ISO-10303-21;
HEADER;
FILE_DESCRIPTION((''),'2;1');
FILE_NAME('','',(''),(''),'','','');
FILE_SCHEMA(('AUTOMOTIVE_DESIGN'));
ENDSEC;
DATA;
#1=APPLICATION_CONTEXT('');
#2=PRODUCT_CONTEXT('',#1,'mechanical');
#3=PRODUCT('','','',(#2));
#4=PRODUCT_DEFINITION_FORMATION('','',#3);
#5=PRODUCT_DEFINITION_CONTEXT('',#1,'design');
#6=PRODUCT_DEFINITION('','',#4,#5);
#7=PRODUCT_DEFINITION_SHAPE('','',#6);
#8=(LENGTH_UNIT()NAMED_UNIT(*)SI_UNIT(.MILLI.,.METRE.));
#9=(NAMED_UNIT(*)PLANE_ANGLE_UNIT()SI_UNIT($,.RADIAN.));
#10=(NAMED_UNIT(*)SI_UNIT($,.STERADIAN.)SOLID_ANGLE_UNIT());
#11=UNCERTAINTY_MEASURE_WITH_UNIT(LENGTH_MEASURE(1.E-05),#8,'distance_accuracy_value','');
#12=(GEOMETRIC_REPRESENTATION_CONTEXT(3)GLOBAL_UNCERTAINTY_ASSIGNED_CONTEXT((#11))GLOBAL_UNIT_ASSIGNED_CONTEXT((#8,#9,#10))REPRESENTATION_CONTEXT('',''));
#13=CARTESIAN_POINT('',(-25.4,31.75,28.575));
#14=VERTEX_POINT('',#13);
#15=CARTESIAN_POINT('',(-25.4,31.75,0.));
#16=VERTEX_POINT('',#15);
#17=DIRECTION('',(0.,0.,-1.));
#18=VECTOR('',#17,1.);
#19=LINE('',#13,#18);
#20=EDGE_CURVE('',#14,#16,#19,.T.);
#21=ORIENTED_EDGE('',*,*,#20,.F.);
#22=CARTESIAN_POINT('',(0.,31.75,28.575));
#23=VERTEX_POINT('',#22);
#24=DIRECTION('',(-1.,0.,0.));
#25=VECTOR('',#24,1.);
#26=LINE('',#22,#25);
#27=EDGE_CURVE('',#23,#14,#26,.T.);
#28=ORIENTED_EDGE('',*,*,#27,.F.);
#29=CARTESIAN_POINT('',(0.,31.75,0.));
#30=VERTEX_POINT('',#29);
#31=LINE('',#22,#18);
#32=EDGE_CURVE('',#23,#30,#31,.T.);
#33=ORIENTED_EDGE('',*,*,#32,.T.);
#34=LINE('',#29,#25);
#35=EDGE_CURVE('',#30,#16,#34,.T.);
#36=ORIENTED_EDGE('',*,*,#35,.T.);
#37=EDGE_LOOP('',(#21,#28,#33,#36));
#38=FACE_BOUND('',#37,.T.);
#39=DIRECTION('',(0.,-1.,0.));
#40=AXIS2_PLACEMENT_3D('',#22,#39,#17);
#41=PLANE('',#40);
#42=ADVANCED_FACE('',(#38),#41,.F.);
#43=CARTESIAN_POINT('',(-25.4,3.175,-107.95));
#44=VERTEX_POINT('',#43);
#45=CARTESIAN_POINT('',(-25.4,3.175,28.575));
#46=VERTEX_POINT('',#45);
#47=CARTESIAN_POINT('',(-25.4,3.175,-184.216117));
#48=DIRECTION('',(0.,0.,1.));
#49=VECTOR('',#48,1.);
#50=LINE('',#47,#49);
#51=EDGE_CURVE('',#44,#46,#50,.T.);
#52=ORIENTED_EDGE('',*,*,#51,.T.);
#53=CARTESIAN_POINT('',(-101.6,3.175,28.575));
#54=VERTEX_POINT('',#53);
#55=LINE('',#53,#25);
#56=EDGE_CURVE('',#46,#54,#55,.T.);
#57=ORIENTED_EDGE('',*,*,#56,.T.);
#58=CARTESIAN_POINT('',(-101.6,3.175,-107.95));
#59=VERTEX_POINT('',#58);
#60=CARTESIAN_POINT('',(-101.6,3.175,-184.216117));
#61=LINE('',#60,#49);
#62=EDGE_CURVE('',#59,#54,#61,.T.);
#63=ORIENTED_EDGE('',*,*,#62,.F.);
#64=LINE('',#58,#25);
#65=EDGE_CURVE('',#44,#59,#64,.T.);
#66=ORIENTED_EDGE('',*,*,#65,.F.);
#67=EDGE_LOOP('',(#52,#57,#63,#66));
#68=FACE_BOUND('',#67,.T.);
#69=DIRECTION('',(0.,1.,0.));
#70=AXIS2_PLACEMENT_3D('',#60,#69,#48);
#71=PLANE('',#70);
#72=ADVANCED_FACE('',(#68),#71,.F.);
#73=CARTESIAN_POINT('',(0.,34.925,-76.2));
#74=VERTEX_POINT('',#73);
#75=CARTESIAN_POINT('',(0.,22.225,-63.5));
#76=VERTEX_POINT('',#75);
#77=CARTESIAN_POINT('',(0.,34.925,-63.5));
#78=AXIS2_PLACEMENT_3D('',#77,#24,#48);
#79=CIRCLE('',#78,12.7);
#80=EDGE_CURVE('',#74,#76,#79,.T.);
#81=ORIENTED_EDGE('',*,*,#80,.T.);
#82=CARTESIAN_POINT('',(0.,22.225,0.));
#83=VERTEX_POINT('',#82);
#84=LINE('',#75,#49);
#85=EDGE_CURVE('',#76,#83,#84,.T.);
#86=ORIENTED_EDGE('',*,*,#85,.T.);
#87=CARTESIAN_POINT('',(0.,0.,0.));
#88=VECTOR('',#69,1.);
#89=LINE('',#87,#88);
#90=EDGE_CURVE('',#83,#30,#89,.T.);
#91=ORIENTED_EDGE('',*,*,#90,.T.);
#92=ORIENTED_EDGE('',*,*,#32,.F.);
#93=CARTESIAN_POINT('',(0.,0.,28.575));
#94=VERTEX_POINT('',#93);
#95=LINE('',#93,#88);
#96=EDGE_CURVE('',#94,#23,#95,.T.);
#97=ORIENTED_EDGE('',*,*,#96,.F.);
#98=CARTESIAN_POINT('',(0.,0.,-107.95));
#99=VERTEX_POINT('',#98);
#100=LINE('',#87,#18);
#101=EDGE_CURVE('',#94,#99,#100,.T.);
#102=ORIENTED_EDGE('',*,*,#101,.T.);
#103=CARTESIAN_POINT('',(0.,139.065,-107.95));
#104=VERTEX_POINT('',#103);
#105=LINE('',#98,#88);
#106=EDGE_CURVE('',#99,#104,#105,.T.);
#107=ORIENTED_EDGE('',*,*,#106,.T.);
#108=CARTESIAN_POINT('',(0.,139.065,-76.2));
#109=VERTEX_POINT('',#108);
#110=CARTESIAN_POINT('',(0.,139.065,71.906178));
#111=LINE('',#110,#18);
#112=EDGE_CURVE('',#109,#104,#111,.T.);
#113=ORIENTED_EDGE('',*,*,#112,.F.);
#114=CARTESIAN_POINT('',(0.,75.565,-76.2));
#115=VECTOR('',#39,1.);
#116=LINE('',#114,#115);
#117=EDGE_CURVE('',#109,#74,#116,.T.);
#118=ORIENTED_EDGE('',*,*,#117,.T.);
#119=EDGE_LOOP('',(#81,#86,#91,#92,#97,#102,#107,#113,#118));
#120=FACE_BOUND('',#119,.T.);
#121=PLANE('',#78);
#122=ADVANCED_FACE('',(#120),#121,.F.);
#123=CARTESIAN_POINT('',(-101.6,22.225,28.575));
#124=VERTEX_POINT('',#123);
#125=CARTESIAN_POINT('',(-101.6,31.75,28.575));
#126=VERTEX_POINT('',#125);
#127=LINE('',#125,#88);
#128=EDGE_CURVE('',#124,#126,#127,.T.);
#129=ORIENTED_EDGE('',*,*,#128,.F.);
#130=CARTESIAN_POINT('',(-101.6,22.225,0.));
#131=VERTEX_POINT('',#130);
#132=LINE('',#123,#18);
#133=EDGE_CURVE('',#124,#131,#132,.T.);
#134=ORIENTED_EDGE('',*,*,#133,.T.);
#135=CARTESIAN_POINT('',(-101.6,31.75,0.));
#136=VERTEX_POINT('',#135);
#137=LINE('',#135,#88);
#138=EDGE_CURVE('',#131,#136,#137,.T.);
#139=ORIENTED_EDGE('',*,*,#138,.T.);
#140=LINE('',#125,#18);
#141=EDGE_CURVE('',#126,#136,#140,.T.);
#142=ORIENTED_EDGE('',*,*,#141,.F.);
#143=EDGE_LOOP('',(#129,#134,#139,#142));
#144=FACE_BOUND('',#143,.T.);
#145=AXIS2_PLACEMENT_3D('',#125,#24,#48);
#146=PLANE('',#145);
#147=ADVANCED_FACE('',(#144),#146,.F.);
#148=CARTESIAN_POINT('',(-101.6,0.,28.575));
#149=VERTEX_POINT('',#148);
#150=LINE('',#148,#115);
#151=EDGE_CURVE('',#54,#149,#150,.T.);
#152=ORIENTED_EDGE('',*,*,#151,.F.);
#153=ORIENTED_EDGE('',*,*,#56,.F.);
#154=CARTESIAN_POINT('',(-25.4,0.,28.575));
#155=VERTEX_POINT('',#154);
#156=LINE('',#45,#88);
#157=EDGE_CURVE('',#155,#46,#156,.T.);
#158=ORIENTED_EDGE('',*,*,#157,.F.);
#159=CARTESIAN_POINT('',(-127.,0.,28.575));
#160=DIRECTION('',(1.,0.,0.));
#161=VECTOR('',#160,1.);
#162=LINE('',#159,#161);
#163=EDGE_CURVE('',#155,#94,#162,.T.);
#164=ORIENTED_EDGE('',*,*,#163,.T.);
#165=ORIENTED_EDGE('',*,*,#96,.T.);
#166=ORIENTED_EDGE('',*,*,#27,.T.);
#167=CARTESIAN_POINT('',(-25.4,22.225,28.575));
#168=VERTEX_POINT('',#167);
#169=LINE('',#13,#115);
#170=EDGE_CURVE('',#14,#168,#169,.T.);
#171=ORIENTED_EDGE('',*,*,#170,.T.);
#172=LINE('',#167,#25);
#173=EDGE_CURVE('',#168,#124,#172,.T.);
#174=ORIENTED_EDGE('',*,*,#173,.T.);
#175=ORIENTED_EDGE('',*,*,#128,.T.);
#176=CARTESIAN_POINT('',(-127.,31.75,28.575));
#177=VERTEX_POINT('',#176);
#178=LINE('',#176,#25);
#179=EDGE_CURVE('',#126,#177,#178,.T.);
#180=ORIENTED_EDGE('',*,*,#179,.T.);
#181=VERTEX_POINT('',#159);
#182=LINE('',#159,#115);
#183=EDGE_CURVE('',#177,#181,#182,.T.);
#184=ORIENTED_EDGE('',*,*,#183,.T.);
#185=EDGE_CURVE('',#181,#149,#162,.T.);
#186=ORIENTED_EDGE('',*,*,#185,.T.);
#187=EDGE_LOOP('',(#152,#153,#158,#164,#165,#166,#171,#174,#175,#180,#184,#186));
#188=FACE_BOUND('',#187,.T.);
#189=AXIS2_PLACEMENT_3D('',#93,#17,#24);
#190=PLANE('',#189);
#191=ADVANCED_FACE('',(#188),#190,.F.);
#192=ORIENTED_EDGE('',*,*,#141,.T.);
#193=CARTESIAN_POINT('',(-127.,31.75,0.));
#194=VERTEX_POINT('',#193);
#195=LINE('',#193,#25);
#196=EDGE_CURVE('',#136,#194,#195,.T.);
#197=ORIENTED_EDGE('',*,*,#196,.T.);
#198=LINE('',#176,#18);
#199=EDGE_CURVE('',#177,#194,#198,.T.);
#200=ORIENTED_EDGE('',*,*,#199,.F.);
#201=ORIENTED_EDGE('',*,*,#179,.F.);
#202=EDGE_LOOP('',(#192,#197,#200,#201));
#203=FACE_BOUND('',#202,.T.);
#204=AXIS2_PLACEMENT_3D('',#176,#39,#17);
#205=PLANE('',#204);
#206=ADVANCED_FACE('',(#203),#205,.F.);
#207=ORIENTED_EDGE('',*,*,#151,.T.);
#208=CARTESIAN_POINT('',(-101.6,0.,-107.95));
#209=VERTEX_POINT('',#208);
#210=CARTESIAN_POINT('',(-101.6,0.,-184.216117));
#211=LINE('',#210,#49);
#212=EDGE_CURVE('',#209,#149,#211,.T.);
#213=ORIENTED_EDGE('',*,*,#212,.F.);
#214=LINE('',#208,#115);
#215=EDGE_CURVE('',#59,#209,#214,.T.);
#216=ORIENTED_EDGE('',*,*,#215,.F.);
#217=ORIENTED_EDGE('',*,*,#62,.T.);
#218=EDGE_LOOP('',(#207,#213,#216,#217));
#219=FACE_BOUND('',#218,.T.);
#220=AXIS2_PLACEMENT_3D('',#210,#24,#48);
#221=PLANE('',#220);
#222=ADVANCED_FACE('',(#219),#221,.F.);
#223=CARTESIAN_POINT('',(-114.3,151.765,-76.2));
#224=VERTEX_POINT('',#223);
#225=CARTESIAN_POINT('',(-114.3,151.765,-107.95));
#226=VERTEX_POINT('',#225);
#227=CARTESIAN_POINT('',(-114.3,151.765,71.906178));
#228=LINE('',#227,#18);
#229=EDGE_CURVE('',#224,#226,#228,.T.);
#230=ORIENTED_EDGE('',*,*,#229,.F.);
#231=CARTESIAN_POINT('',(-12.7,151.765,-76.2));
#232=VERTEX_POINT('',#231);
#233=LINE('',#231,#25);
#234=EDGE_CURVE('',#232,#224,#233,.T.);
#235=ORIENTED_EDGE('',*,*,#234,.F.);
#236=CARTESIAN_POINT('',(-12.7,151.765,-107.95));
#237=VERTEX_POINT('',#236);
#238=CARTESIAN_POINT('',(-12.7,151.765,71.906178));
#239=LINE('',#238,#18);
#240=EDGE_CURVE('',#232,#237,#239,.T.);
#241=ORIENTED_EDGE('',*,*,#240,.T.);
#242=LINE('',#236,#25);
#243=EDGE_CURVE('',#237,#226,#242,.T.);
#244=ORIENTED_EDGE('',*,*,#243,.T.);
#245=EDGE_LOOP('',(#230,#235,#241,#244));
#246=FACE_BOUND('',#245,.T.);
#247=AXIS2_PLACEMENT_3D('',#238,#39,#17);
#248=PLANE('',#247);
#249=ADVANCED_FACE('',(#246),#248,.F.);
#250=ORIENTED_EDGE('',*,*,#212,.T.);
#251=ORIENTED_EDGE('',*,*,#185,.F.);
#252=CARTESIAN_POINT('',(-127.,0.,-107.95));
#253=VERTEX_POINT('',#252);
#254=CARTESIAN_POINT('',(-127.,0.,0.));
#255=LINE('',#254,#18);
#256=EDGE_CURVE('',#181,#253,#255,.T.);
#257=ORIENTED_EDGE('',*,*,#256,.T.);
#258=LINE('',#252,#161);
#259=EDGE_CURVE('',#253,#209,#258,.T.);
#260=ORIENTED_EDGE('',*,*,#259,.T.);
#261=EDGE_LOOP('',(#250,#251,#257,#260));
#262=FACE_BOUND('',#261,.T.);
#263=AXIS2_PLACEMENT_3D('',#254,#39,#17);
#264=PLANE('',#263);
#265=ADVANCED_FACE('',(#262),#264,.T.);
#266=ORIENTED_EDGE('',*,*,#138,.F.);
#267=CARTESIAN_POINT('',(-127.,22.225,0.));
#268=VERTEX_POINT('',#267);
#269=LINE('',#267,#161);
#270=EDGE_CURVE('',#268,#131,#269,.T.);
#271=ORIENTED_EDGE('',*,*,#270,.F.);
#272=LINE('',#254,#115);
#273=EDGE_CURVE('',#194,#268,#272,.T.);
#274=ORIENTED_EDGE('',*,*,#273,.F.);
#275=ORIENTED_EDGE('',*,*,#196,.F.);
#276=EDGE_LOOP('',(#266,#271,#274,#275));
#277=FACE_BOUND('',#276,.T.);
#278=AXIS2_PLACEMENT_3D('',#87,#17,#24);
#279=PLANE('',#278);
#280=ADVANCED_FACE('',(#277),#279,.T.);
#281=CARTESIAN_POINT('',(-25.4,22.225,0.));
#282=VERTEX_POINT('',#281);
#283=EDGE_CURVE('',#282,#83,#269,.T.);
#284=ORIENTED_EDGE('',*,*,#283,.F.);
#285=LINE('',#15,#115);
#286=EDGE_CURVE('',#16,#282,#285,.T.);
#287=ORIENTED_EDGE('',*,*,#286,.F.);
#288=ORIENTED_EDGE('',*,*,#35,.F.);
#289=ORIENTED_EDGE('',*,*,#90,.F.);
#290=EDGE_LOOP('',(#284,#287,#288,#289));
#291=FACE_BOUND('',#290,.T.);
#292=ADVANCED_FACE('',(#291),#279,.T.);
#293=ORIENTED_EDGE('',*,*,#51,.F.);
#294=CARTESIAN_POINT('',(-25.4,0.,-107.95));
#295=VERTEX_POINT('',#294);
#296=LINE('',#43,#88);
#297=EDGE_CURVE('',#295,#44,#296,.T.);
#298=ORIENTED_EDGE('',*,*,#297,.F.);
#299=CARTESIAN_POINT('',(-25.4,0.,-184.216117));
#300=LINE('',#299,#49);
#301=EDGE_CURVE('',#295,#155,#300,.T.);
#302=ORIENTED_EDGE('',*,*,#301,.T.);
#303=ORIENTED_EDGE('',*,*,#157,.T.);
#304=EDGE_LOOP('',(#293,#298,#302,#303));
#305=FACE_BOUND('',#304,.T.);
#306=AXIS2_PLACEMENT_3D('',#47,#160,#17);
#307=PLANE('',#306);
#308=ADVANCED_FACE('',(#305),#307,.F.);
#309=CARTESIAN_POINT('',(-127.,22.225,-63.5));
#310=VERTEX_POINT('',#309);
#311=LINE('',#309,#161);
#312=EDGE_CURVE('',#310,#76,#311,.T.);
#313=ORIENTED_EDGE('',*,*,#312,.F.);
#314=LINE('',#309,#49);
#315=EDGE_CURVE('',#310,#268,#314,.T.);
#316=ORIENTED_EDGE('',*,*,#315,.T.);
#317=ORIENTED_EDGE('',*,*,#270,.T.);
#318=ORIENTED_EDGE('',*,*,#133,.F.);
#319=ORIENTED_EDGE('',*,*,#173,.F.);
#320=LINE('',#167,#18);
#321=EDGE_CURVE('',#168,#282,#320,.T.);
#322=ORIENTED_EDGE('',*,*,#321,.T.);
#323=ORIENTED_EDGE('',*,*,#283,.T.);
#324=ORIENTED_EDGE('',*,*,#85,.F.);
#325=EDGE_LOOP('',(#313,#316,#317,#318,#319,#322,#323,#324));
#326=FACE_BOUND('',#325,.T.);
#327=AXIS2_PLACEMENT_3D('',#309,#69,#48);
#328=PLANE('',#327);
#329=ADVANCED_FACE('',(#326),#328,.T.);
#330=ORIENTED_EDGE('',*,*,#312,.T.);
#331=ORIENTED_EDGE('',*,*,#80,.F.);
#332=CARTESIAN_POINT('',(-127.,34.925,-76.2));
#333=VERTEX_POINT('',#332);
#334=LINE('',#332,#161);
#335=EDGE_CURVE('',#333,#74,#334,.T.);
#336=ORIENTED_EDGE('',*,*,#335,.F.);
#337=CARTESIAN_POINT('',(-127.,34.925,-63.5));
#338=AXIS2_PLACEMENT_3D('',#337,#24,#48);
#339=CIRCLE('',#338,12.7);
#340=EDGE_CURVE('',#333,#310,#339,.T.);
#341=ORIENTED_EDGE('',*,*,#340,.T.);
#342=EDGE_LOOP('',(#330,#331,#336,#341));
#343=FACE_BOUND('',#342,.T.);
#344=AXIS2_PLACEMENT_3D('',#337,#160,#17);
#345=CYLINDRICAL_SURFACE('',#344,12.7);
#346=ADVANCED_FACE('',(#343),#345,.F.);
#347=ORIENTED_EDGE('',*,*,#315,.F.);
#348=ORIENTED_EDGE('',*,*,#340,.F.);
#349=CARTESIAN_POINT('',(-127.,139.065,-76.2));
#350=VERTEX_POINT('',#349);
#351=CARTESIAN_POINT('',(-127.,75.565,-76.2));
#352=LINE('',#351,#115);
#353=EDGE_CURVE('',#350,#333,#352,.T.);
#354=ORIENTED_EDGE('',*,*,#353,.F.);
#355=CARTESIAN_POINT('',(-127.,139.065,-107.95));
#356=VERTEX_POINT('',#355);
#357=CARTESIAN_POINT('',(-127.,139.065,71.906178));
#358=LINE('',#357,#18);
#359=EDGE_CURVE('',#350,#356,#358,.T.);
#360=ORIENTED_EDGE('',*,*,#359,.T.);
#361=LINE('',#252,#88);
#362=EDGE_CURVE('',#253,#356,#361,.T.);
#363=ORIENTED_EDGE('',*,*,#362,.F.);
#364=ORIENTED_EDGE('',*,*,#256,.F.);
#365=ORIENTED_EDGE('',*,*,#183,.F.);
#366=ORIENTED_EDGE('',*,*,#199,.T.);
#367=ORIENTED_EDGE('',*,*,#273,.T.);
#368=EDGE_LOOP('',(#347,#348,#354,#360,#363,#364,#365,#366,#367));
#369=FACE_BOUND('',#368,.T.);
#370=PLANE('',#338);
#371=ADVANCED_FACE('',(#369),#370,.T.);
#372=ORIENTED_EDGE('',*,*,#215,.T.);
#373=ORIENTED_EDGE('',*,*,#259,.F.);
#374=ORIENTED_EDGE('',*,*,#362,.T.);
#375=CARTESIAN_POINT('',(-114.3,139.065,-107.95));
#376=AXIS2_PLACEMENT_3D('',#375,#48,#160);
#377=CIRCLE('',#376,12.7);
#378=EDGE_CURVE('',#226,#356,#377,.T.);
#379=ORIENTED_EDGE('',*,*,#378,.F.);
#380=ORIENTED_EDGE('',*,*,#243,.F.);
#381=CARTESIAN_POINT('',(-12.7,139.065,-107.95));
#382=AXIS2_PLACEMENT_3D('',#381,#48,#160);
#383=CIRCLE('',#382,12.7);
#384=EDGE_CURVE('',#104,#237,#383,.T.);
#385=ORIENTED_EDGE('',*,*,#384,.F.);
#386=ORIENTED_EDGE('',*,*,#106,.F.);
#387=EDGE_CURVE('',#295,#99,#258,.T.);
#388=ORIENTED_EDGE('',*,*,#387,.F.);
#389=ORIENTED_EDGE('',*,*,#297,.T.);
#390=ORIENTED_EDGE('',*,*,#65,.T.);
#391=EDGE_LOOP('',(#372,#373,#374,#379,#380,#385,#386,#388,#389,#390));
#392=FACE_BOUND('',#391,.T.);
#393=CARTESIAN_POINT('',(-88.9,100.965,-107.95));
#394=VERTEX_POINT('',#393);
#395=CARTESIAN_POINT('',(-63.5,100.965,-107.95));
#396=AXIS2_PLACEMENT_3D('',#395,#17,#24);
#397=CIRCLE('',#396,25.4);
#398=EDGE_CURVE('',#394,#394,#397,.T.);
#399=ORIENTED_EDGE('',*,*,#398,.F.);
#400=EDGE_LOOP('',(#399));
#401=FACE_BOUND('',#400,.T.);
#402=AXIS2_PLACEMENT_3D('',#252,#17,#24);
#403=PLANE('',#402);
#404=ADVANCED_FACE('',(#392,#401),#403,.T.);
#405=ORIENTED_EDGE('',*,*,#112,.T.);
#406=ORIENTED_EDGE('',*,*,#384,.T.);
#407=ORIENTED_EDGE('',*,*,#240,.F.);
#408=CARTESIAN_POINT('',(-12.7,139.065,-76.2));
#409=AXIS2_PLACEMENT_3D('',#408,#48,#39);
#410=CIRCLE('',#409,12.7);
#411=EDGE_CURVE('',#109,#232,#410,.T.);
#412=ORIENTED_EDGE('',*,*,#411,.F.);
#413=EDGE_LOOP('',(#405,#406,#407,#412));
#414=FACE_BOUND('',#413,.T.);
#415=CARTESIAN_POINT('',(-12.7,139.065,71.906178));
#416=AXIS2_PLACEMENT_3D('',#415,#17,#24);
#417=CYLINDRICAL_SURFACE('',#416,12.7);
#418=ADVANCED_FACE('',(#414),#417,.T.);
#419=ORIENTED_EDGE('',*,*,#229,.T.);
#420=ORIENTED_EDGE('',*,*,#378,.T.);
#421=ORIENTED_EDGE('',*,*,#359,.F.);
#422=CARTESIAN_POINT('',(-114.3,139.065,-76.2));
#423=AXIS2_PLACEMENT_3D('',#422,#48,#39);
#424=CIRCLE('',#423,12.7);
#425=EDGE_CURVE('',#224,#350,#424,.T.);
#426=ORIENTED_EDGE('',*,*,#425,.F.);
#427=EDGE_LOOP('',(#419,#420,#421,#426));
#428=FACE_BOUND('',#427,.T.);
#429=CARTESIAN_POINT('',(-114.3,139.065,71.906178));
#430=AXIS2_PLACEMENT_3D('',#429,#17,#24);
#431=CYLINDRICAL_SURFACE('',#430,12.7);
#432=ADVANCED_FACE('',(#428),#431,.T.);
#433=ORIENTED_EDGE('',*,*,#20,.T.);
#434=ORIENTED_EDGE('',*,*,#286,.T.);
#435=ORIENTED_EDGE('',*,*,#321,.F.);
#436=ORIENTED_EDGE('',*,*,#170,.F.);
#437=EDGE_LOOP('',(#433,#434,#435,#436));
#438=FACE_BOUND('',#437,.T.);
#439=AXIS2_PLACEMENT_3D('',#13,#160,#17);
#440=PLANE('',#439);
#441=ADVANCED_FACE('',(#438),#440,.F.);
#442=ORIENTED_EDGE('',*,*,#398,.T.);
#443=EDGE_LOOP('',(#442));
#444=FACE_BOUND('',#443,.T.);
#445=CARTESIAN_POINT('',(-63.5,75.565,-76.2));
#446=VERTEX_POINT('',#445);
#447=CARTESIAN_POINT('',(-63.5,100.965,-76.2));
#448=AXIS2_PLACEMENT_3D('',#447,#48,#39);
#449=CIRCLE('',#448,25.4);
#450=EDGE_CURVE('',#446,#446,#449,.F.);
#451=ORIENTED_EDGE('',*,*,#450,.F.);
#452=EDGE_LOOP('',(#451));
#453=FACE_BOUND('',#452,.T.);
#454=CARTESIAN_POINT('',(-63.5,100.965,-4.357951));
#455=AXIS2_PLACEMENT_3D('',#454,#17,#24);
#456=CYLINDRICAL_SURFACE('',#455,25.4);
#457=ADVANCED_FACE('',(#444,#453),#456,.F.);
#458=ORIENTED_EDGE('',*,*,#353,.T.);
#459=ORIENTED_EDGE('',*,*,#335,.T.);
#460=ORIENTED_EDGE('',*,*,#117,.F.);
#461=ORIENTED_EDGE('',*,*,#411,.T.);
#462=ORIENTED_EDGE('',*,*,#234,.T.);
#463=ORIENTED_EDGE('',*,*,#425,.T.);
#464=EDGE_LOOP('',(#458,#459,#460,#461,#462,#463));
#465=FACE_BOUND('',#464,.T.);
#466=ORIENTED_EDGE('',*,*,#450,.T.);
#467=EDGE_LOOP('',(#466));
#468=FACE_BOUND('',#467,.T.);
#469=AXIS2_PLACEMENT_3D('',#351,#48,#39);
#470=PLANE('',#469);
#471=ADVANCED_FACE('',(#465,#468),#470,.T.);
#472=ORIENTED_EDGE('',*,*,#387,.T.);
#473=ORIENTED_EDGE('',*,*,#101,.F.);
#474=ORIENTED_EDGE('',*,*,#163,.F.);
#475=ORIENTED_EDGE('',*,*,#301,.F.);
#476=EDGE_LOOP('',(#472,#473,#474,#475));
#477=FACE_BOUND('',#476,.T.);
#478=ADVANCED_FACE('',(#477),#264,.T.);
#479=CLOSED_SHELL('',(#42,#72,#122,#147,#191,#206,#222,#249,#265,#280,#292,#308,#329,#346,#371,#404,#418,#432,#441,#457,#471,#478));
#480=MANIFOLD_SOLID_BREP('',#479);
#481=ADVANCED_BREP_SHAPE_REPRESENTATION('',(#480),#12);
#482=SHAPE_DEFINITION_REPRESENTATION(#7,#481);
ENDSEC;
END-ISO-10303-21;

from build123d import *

# Parameters (mm, degrees)
EXTRUDE_2_DEPTH     = 127
EXTRUDE_3_DEPTH     = 28.575
EXTRUDE_6_DEPTH     = 31.75
SKETCH_5_R          = 25.4
CUT_EXTRUDE_4_DEPTH = 31.75
SKETCH_6_W          = 76.2
SKETCH_6_H          = 3.175
CUT_EXTRUDE_5_DEPTH = 136.525


with BuildPart() as part:
    # 草图1 → 凸台-拉伸2 (new body)
    with BuildSketch(Plane(origin=(0, 0, 0), x_dir=(0, 0, -1), z_dir=(1, 0, 0))):
        with BuildLine():
            Line((0, 0), (107.95, 0))
            Line((107.95, 0), (107.95, 75.565))
            Line((107.95, 75.565), (76.2, 75.565))
            Line((76.2, 75.565), (76.2, 34.925))
            ThreePointArc((76.2, 34.925), (72.480256121, 25.944743879), (63.5, 22.225))
            Line((63.5, 22.225), (0, 22.225))
            Line((0, 22.225), (0, 0))
        make_face()
    extrude(amount=-EXTRUDE_2_DEPTH)

    # 草图2 → 凸台-拉伸3 (add)
    with BuildSketch(Plane.XY):
        Polygon((0, 0), (0, 31.75), (-25.4, 31.75), (-25.4, 22.225), (-101.6, 22.225), (-101.6, 31.75), (-127, 31.75), (-127, 0), align=None)
    extrude(amount=EXTRUDE_3_DEPTH)

    # 草图3 → 凸台-拉伸6 (add)
    with BuildSketch(Plane(origin=(0, 0, -107.95), x_dir=(-1, 0, 0), z_dir=(0, 0, -1))):
        with BuildLine():
            Line((0, 75.565), (0, 139.065))
            ThreePointArc((0, 139.065), (3.719743879, 148.045256121), (12.7, 151.765))
            Line((12.7, 151.765), (114.3, 151.765))
            ThreePointArc((114.3, 151.765), (123.280256121, 148.045256121), (127, 139.065))
            Line((127, 139.065), (127, 75.565))
            Line((127, 75.565), (0, 75.565))
        make_face()
    extrude(amount=-EXTRUDE_6_DEPTH)

    # 草图5 → 切除-拉伸4 (cut)
    with BuildSketch(Plane(origin=(0, 0, -107.95), x_dir=(-1, 0, 0), z_dir=(0, 0, -1))):
        with Locations((63.5, 100.965)):
            Circle(SKETCH_5_R)
    extrude(amount=-CUT_EXTRUDE_4_DEPTH, mode=Mode.SUBTRACT)

    # 草图6 → 切除-拉伸5 (cut)
    with BuildSketch(Plane.XY.offset(28.575)):
        with Locations((-63.5, 1.5875)):
            Rectangle(SKETCH_6_W, SKETCH_6_H)
    extrude(amount=-CUT_EXTRUDE_5_DEPTH, mode=Mode.SUBTRACT)


solid = part.part
